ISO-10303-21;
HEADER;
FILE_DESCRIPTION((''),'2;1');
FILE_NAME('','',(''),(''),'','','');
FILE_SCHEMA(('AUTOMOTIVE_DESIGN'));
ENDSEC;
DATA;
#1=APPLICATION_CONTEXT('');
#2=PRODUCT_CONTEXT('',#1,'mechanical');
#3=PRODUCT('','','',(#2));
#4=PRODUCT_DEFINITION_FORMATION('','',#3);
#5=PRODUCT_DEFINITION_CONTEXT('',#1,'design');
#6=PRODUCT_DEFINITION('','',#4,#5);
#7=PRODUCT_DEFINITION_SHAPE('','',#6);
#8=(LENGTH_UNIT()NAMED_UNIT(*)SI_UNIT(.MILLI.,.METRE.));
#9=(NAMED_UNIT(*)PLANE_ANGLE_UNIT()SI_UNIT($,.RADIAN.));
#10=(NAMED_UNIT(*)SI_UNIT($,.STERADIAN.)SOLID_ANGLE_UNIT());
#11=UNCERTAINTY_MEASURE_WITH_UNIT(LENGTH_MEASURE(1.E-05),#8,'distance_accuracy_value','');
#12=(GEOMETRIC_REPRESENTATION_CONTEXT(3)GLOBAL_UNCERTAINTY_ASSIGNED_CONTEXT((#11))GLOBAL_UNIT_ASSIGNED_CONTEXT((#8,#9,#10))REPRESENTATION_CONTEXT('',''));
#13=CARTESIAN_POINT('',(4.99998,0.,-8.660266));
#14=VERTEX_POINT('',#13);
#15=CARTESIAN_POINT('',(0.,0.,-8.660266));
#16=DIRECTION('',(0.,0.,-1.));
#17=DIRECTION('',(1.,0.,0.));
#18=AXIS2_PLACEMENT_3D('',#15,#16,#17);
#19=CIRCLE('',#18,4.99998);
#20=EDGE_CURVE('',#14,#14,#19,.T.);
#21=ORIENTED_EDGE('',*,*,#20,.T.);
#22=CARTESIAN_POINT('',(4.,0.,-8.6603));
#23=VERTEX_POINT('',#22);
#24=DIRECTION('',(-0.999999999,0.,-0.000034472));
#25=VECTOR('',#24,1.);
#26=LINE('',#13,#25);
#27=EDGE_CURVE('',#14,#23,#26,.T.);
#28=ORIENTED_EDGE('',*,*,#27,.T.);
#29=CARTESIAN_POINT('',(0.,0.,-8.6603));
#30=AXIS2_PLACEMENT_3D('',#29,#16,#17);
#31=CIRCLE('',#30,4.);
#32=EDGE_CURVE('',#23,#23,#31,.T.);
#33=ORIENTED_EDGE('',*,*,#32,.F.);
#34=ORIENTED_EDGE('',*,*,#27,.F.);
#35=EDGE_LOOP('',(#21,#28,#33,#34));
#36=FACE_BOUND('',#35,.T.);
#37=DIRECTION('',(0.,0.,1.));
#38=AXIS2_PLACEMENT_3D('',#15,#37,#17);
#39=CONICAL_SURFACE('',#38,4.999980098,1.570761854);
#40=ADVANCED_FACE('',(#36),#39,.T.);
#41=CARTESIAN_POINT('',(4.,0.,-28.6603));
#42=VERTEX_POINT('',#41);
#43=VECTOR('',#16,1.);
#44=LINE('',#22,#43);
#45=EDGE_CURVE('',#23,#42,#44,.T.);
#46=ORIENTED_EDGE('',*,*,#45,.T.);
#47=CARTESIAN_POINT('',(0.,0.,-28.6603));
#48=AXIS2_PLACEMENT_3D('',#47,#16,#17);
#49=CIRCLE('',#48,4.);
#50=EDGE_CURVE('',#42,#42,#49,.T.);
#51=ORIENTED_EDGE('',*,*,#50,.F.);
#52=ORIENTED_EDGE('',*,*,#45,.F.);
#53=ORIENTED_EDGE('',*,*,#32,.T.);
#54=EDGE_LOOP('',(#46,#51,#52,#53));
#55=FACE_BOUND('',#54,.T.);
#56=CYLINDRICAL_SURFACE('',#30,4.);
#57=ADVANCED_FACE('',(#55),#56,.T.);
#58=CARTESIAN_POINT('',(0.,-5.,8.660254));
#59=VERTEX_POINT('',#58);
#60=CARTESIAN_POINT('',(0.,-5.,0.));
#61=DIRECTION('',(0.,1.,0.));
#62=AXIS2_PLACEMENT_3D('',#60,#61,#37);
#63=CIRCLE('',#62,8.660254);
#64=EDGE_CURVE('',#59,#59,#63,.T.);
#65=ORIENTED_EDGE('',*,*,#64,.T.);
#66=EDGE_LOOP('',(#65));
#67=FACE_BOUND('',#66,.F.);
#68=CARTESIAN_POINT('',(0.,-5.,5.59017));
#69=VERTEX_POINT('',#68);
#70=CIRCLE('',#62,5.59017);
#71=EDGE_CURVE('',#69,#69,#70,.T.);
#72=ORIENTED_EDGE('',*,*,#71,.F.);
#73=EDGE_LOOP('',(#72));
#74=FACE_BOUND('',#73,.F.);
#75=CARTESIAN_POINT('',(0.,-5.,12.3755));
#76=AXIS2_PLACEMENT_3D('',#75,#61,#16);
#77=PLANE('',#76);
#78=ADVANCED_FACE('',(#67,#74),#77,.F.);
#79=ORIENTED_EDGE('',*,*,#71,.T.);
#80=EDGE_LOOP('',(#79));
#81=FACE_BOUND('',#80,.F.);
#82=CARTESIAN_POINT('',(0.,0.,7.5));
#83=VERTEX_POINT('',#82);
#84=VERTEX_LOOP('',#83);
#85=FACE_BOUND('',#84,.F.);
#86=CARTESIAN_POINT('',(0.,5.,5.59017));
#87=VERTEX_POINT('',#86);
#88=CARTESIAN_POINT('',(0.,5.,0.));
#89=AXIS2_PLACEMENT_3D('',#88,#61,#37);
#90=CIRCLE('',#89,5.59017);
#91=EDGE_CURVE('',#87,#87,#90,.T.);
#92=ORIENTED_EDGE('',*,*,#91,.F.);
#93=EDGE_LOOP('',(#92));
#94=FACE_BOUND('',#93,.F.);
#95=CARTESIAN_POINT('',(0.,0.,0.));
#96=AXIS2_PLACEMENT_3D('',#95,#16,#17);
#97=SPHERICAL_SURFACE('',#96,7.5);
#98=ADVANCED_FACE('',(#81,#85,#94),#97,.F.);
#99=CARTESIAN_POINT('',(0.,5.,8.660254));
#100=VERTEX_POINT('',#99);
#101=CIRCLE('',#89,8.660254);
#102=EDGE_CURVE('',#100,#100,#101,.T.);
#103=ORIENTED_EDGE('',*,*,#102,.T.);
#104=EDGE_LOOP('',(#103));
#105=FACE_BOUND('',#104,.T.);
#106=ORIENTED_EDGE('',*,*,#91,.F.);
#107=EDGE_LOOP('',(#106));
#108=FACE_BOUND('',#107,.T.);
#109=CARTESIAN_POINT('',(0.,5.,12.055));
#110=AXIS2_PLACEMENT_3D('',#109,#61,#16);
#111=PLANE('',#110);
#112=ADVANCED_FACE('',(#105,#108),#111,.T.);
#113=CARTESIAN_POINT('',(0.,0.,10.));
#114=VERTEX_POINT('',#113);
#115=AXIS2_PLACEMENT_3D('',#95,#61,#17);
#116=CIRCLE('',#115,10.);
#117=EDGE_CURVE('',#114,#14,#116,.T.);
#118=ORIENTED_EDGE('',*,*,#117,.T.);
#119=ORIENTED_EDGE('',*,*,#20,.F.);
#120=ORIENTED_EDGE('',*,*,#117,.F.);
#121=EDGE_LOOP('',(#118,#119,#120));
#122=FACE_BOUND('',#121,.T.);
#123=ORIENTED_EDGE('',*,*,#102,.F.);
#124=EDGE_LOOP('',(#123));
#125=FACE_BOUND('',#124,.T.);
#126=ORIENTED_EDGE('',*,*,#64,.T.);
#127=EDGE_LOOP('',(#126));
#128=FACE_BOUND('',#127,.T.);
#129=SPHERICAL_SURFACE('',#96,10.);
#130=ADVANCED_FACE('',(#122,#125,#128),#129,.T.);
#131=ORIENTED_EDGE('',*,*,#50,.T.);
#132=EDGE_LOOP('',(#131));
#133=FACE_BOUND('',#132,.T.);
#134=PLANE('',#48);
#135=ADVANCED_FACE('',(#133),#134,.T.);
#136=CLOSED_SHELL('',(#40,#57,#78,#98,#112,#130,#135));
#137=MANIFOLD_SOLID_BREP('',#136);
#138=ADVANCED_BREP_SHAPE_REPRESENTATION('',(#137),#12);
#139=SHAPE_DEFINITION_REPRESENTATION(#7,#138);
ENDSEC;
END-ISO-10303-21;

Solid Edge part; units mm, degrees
sketch "Sketch1" plane through (0, 0, 0) normal (0, -1, 0) x (1, 0, 0)
  arc A0 (0, 10) -> (5, -8.6603) centre (0, 0) cw
  line L0 (5, -8.6603) -> (4, -8.6603)
  line L1 (4, -8.6603) -> (4, -28.6603)
  line L2 (4, -28.6603) -> (0, -28.6603)
  dimension "D1" = 10
  dimension "D2" = 1
  dimension "D3" = 4
  dimension "D4" = 20
revolve "RevolvedProtrusion1" add sketch "Sketch1" angle 360 about axis through (0, 0, 10) along (0, 0, -1)
sketch "Sketch2" plane through (0, 0, 0) normal (1, 0, 0) x (0, 1, 0)
  line L0 (5, -8.6603) -> (11.9647, -8.6603)
  line L1 (11.9647, -8.6603) -> (11.9647, 12.055)
  line L2 (11.9647, 12.055) -> (5, 12.055)
  line L3 (5, 12.055) -> (5, -8.6603)
  line L4 (-5, -8.6603) -> (-11.8811, -8.6603)
  line L5 (-11.8811, -8.6603) -> (-11.8811, 12.3755)
  line L6 (-11.8811, 12.3755) -> (-5, 12.3755)
  line L7 (-5, 12.3755) -> (-5, -8.6603)
  dimension "D1" = 5
  dimension "D2" = 5
extrude "Cutout1" cut sketch "Sketch2" along normal mid plane 26.6508
sketch "Sketch3" plane through (0, 0, 0) normal (0, -1, 0) x (1, 0, 0)
  arc A0 (0, 7.5) -> (0, -7.5) centre (0, 0) cw
  dimension "D1" = 7.5
revolve "RevolvedCutout1" cut sketch "Sketch3" angle 360 about axis through (0, 0, 6) along (0, 0, -1)
cosmetic_thread "Thread1" size "M8"
properties material "Steel"
